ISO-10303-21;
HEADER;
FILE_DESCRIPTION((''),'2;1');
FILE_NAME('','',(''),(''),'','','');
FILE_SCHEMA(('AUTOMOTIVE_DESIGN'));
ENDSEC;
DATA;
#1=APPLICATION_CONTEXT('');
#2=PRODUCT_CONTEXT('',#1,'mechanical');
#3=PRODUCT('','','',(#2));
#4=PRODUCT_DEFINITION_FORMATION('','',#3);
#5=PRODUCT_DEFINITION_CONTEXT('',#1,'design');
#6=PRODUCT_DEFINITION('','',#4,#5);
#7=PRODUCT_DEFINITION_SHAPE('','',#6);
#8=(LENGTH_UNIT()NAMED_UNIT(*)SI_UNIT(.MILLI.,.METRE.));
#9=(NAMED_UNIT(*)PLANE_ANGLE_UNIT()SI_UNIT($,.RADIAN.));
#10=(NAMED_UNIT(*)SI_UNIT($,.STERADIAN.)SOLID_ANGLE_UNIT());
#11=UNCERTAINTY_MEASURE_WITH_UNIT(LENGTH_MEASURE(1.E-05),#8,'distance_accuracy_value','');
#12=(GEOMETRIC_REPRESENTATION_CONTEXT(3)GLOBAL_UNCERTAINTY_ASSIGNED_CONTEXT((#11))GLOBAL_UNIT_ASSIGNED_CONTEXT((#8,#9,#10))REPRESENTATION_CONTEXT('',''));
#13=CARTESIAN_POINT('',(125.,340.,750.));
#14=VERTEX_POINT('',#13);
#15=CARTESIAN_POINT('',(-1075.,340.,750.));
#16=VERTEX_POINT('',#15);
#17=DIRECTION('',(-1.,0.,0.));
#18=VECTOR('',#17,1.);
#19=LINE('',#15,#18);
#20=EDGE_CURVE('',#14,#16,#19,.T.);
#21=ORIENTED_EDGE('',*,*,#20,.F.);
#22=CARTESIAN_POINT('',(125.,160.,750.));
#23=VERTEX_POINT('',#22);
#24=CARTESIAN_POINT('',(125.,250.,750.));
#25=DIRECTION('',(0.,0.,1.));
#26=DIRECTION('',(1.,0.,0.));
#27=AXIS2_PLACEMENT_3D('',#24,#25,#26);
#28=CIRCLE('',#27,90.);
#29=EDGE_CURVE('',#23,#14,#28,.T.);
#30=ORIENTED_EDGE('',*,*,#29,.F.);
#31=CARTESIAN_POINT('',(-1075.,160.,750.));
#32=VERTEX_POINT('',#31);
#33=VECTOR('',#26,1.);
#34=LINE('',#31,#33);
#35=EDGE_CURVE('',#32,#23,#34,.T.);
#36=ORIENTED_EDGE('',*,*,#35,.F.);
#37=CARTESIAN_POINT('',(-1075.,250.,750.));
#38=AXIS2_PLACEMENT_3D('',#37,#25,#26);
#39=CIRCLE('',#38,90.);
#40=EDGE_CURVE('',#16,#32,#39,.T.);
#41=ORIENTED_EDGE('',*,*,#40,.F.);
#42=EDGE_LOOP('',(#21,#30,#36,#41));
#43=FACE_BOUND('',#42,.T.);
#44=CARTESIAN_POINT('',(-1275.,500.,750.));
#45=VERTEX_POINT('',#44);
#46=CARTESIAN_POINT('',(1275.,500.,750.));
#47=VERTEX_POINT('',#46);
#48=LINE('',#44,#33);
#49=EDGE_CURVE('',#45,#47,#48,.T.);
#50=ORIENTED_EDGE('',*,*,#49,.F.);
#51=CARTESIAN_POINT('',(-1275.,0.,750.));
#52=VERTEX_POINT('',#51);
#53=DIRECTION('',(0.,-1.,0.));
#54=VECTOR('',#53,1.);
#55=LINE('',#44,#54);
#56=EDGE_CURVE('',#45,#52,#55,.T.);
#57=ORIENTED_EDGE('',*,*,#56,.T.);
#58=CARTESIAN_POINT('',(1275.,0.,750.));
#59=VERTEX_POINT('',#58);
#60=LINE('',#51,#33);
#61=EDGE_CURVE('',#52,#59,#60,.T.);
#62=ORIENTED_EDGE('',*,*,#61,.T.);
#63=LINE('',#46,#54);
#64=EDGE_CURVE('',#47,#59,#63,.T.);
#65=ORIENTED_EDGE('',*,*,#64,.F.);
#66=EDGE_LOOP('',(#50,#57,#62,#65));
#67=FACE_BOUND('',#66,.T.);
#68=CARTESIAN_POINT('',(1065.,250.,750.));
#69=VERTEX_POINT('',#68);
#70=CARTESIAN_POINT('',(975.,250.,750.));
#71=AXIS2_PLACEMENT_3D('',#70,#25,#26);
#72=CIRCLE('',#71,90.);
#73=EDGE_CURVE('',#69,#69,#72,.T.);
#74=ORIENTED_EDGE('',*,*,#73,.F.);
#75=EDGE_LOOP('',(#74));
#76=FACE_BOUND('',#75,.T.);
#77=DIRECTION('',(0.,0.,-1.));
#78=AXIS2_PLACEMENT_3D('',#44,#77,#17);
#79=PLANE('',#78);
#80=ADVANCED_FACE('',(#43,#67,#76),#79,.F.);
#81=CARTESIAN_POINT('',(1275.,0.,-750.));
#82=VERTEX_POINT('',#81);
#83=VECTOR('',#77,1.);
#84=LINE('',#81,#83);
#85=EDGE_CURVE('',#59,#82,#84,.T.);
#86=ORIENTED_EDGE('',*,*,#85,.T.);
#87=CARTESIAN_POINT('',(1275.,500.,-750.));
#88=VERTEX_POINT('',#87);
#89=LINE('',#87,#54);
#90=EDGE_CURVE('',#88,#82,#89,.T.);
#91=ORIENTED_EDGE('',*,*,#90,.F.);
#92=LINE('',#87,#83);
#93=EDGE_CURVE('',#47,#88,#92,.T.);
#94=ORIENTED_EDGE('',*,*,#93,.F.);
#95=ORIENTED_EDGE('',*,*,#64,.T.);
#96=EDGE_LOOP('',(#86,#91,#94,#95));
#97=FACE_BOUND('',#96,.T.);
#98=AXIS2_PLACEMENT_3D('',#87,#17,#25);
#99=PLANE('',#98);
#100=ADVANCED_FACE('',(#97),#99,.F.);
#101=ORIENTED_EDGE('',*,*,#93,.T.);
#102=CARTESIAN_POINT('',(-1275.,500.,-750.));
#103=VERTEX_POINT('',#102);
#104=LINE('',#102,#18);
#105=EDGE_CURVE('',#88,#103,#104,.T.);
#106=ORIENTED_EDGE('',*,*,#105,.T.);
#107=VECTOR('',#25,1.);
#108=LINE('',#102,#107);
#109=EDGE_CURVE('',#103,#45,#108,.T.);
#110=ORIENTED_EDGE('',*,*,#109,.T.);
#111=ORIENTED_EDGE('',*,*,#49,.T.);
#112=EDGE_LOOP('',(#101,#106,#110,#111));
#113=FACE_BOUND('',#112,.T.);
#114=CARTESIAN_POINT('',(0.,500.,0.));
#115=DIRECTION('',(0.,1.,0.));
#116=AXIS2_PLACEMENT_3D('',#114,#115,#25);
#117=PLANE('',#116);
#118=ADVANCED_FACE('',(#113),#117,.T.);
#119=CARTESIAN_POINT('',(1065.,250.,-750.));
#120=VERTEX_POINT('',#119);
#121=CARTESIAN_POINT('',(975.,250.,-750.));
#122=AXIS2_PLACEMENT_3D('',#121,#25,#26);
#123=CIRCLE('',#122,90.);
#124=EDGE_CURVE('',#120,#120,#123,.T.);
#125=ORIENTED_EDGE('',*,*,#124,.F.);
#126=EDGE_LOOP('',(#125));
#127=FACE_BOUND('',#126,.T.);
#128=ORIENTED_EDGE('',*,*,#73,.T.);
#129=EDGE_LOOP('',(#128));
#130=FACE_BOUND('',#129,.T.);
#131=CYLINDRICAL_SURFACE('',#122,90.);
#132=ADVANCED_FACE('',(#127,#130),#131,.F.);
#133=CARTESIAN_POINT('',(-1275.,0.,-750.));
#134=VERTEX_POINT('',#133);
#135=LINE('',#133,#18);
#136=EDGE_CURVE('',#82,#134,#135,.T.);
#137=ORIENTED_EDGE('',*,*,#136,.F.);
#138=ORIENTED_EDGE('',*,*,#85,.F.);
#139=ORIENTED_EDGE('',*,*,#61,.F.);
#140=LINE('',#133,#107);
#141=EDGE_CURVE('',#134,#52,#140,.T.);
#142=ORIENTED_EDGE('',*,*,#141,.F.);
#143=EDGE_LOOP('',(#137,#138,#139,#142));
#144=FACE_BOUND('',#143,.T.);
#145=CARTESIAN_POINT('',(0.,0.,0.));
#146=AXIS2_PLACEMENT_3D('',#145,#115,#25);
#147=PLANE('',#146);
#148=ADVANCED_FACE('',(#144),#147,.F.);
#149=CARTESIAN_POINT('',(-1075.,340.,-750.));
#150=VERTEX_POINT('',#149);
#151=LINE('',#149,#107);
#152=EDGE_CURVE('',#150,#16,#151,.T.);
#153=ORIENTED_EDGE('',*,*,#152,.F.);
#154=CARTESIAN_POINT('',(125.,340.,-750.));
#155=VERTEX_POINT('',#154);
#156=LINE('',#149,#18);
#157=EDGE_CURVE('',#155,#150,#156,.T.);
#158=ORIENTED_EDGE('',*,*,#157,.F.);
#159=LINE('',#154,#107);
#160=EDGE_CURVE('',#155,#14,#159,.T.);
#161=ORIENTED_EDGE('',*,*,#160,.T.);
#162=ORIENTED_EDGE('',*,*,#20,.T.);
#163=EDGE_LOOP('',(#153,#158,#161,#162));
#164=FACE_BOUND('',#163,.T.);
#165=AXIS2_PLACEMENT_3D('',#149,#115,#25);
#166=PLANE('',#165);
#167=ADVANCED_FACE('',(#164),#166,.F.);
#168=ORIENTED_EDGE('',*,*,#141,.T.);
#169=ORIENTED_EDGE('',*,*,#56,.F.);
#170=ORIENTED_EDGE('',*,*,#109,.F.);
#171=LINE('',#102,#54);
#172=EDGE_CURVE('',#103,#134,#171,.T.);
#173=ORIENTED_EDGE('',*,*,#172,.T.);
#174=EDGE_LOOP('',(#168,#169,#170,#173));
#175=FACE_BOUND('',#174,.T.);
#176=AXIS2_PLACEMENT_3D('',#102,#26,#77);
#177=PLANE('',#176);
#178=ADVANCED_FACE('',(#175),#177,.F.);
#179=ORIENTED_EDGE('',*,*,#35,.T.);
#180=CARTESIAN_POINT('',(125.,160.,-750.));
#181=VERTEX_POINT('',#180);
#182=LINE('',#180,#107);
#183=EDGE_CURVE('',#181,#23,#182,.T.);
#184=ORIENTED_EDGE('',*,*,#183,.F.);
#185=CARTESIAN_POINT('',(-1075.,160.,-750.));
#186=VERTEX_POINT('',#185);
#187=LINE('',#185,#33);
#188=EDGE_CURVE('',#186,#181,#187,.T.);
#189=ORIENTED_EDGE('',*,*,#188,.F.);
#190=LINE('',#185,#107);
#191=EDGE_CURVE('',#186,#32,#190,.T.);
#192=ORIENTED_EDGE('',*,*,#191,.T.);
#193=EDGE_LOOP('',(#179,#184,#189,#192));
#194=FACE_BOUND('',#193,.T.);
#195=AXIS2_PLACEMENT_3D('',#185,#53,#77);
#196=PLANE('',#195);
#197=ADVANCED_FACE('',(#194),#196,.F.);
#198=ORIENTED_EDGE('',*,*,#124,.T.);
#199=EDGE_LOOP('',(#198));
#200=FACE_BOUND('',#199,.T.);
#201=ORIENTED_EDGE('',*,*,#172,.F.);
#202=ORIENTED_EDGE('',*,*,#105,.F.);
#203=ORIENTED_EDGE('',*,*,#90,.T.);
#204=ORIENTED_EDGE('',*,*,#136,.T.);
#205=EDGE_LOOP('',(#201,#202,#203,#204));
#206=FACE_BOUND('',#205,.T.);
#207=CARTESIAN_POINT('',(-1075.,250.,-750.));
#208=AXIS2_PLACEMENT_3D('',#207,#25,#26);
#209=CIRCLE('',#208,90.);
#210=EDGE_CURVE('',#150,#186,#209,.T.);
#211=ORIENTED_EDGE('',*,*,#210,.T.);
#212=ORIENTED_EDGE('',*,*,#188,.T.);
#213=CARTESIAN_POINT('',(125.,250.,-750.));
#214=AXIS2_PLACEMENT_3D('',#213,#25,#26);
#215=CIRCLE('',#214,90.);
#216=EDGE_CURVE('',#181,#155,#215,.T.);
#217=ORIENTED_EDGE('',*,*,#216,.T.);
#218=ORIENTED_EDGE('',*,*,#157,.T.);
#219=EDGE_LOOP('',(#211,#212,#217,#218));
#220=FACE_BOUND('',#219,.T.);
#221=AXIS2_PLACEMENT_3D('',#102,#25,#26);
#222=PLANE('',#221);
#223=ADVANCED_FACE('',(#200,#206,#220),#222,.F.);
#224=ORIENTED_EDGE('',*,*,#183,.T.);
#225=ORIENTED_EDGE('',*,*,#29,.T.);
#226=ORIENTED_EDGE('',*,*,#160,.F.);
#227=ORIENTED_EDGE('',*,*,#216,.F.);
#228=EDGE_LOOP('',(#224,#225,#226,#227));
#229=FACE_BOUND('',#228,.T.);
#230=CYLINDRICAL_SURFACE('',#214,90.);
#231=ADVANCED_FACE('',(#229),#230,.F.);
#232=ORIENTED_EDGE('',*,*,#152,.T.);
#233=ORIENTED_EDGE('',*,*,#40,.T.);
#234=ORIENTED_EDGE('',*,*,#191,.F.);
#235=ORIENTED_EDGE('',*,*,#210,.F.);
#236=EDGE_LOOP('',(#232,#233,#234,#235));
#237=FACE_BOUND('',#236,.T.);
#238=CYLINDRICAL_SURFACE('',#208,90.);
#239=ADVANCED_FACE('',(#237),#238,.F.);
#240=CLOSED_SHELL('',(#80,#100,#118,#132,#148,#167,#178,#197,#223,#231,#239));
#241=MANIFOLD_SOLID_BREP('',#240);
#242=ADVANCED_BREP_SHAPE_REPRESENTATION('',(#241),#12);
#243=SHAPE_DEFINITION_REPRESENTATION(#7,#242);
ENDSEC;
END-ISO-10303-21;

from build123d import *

# Parameters (mm, degrees)
SKETCH1_W           = 2550
SKETCH1_H           = 1500
BOSS_EXTRUDE1_DEPTH = 500
SKETCH2_R           = 90
CUT_EXTRUDE1_DEPTH  = 2032.163459695


with BuildPart() as part:
    # Sketch1 → Boss-Extrude1 (new body)
    with BuildSketch(Plane(origin=(0, 0, 0), x_dir=(1, 0, 0), z_dir=(0, 1, 0))):
        Rectangle(SKETCH1_W, SKETCH1_H)
    extrude(amount=BOSS_EXTRUDE1_DEPTH)

    # Sketch2 → Cut-Extrude1 (cut, through all)
    with BuildSketch(Plane.XY.offset(750)):
        with Locations((975, 250)):
            Circle(SKETCH2_R)
        with BuildLine():
            Line((-1075, 340), (125, 340))
            ThreePointArc((125, 340), (215, 250), (125, 160))
            Line((125, 160), (-1075, 160))
            ThreePointArc((-1075, 160), (-1165, 250), (-1075, 340))
        make_face()
    extrude(amount=-CUT_EXTRUDE1_DEPTH, mode=Mode.SUBTRACT)


solid = part.part
